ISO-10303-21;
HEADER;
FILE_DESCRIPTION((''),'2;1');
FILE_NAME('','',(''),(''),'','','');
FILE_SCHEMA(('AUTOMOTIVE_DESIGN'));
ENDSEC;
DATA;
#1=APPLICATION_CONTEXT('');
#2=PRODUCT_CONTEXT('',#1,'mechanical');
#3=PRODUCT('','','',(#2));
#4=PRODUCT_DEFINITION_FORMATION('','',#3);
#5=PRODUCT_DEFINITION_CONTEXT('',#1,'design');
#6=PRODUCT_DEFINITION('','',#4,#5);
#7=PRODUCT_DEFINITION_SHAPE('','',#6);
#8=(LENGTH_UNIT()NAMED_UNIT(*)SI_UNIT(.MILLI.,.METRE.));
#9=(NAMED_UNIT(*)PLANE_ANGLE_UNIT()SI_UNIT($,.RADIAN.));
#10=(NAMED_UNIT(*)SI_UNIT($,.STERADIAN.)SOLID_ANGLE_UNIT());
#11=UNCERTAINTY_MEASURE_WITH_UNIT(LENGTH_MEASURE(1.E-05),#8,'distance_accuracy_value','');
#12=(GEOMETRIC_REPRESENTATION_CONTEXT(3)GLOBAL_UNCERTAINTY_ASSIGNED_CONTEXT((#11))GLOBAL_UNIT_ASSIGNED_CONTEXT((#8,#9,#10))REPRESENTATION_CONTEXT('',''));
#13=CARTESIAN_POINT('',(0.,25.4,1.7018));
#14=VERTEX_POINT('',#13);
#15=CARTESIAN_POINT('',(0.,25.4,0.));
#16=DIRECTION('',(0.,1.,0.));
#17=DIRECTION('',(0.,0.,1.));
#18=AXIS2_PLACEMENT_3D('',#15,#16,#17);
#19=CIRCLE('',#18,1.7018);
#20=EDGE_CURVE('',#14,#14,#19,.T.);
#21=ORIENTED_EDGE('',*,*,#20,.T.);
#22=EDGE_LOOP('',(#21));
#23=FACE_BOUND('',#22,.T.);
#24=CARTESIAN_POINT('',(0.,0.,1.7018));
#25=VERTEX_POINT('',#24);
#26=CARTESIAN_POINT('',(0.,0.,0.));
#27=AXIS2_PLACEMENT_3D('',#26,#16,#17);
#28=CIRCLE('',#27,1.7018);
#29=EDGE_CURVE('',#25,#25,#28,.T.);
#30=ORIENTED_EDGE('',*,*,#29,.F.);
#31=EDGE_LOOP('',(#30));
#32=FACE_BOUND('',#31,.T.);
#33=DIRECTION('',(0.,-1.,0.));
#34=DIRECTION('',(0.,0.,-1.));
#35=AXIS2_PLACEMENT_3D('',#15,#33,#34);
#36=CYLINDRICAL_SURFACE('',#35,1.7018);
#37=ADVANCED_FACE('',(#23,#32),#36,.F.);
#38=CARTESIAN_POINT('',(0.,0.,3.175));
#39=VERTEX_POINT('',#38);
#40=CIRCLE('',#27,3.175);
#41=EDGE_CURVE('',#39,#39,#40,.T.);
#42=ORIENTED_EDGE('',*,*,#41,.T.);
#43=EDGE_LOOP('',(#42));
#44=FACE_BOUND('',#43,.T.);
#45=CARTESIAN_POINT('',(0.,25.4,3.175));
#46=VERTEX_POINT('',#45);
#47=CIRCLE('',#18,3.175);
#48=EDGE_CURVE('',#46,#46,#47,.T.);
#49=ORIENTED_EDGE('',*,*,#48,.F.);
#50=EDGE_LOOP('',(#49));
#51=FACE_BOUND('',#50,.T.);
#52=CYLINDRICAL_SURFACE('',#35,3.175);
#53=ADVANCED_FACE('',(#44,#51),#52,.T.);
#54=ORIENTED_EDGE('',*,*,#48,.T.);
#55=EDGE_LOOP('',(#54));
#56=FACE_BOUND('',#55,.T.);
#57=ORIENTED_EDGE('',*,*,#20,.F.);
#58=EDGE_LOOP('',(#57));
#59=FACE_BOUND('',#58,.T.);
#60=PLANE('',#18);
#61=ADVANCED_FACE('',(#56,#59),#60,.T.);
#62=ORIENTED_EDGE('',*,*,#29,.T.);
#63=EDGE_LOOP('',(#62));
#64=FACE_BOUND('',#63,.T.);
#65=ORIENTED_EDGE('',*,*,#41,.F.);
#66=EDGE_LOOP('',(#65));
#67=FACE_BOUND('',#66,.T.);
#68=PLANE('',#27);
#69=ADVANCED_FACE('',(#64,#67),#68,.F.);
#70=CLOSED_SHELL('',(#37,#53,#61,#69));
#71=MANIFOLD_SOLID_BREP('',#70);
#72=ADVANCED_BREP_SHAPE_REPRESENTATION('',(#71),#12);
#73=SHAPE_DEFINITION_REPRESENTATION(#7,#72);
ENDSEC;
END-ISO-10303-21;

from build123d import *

# Parameters (mm, degrees)
SKETCH1_R      = 3.175
SKETCH1_R_2    = 1.7018
EXTRUDE1_DEPTH = 25.4


with BuildPart() as part:
    # Sketch1 → Extrude1 (new body)
    with BuildSketch(Plane(origin=(0, 0, 0), x_dir=(1, 0, 0), z_dir=(0, 1, 0))):
        Circle(SKETCH1_R)
        Circle(SKETCH1_R_2, mode=Mode.SUBTRACT)
    extrude(amount=EXTRUDE1_DEPTH)


solid = part.part
